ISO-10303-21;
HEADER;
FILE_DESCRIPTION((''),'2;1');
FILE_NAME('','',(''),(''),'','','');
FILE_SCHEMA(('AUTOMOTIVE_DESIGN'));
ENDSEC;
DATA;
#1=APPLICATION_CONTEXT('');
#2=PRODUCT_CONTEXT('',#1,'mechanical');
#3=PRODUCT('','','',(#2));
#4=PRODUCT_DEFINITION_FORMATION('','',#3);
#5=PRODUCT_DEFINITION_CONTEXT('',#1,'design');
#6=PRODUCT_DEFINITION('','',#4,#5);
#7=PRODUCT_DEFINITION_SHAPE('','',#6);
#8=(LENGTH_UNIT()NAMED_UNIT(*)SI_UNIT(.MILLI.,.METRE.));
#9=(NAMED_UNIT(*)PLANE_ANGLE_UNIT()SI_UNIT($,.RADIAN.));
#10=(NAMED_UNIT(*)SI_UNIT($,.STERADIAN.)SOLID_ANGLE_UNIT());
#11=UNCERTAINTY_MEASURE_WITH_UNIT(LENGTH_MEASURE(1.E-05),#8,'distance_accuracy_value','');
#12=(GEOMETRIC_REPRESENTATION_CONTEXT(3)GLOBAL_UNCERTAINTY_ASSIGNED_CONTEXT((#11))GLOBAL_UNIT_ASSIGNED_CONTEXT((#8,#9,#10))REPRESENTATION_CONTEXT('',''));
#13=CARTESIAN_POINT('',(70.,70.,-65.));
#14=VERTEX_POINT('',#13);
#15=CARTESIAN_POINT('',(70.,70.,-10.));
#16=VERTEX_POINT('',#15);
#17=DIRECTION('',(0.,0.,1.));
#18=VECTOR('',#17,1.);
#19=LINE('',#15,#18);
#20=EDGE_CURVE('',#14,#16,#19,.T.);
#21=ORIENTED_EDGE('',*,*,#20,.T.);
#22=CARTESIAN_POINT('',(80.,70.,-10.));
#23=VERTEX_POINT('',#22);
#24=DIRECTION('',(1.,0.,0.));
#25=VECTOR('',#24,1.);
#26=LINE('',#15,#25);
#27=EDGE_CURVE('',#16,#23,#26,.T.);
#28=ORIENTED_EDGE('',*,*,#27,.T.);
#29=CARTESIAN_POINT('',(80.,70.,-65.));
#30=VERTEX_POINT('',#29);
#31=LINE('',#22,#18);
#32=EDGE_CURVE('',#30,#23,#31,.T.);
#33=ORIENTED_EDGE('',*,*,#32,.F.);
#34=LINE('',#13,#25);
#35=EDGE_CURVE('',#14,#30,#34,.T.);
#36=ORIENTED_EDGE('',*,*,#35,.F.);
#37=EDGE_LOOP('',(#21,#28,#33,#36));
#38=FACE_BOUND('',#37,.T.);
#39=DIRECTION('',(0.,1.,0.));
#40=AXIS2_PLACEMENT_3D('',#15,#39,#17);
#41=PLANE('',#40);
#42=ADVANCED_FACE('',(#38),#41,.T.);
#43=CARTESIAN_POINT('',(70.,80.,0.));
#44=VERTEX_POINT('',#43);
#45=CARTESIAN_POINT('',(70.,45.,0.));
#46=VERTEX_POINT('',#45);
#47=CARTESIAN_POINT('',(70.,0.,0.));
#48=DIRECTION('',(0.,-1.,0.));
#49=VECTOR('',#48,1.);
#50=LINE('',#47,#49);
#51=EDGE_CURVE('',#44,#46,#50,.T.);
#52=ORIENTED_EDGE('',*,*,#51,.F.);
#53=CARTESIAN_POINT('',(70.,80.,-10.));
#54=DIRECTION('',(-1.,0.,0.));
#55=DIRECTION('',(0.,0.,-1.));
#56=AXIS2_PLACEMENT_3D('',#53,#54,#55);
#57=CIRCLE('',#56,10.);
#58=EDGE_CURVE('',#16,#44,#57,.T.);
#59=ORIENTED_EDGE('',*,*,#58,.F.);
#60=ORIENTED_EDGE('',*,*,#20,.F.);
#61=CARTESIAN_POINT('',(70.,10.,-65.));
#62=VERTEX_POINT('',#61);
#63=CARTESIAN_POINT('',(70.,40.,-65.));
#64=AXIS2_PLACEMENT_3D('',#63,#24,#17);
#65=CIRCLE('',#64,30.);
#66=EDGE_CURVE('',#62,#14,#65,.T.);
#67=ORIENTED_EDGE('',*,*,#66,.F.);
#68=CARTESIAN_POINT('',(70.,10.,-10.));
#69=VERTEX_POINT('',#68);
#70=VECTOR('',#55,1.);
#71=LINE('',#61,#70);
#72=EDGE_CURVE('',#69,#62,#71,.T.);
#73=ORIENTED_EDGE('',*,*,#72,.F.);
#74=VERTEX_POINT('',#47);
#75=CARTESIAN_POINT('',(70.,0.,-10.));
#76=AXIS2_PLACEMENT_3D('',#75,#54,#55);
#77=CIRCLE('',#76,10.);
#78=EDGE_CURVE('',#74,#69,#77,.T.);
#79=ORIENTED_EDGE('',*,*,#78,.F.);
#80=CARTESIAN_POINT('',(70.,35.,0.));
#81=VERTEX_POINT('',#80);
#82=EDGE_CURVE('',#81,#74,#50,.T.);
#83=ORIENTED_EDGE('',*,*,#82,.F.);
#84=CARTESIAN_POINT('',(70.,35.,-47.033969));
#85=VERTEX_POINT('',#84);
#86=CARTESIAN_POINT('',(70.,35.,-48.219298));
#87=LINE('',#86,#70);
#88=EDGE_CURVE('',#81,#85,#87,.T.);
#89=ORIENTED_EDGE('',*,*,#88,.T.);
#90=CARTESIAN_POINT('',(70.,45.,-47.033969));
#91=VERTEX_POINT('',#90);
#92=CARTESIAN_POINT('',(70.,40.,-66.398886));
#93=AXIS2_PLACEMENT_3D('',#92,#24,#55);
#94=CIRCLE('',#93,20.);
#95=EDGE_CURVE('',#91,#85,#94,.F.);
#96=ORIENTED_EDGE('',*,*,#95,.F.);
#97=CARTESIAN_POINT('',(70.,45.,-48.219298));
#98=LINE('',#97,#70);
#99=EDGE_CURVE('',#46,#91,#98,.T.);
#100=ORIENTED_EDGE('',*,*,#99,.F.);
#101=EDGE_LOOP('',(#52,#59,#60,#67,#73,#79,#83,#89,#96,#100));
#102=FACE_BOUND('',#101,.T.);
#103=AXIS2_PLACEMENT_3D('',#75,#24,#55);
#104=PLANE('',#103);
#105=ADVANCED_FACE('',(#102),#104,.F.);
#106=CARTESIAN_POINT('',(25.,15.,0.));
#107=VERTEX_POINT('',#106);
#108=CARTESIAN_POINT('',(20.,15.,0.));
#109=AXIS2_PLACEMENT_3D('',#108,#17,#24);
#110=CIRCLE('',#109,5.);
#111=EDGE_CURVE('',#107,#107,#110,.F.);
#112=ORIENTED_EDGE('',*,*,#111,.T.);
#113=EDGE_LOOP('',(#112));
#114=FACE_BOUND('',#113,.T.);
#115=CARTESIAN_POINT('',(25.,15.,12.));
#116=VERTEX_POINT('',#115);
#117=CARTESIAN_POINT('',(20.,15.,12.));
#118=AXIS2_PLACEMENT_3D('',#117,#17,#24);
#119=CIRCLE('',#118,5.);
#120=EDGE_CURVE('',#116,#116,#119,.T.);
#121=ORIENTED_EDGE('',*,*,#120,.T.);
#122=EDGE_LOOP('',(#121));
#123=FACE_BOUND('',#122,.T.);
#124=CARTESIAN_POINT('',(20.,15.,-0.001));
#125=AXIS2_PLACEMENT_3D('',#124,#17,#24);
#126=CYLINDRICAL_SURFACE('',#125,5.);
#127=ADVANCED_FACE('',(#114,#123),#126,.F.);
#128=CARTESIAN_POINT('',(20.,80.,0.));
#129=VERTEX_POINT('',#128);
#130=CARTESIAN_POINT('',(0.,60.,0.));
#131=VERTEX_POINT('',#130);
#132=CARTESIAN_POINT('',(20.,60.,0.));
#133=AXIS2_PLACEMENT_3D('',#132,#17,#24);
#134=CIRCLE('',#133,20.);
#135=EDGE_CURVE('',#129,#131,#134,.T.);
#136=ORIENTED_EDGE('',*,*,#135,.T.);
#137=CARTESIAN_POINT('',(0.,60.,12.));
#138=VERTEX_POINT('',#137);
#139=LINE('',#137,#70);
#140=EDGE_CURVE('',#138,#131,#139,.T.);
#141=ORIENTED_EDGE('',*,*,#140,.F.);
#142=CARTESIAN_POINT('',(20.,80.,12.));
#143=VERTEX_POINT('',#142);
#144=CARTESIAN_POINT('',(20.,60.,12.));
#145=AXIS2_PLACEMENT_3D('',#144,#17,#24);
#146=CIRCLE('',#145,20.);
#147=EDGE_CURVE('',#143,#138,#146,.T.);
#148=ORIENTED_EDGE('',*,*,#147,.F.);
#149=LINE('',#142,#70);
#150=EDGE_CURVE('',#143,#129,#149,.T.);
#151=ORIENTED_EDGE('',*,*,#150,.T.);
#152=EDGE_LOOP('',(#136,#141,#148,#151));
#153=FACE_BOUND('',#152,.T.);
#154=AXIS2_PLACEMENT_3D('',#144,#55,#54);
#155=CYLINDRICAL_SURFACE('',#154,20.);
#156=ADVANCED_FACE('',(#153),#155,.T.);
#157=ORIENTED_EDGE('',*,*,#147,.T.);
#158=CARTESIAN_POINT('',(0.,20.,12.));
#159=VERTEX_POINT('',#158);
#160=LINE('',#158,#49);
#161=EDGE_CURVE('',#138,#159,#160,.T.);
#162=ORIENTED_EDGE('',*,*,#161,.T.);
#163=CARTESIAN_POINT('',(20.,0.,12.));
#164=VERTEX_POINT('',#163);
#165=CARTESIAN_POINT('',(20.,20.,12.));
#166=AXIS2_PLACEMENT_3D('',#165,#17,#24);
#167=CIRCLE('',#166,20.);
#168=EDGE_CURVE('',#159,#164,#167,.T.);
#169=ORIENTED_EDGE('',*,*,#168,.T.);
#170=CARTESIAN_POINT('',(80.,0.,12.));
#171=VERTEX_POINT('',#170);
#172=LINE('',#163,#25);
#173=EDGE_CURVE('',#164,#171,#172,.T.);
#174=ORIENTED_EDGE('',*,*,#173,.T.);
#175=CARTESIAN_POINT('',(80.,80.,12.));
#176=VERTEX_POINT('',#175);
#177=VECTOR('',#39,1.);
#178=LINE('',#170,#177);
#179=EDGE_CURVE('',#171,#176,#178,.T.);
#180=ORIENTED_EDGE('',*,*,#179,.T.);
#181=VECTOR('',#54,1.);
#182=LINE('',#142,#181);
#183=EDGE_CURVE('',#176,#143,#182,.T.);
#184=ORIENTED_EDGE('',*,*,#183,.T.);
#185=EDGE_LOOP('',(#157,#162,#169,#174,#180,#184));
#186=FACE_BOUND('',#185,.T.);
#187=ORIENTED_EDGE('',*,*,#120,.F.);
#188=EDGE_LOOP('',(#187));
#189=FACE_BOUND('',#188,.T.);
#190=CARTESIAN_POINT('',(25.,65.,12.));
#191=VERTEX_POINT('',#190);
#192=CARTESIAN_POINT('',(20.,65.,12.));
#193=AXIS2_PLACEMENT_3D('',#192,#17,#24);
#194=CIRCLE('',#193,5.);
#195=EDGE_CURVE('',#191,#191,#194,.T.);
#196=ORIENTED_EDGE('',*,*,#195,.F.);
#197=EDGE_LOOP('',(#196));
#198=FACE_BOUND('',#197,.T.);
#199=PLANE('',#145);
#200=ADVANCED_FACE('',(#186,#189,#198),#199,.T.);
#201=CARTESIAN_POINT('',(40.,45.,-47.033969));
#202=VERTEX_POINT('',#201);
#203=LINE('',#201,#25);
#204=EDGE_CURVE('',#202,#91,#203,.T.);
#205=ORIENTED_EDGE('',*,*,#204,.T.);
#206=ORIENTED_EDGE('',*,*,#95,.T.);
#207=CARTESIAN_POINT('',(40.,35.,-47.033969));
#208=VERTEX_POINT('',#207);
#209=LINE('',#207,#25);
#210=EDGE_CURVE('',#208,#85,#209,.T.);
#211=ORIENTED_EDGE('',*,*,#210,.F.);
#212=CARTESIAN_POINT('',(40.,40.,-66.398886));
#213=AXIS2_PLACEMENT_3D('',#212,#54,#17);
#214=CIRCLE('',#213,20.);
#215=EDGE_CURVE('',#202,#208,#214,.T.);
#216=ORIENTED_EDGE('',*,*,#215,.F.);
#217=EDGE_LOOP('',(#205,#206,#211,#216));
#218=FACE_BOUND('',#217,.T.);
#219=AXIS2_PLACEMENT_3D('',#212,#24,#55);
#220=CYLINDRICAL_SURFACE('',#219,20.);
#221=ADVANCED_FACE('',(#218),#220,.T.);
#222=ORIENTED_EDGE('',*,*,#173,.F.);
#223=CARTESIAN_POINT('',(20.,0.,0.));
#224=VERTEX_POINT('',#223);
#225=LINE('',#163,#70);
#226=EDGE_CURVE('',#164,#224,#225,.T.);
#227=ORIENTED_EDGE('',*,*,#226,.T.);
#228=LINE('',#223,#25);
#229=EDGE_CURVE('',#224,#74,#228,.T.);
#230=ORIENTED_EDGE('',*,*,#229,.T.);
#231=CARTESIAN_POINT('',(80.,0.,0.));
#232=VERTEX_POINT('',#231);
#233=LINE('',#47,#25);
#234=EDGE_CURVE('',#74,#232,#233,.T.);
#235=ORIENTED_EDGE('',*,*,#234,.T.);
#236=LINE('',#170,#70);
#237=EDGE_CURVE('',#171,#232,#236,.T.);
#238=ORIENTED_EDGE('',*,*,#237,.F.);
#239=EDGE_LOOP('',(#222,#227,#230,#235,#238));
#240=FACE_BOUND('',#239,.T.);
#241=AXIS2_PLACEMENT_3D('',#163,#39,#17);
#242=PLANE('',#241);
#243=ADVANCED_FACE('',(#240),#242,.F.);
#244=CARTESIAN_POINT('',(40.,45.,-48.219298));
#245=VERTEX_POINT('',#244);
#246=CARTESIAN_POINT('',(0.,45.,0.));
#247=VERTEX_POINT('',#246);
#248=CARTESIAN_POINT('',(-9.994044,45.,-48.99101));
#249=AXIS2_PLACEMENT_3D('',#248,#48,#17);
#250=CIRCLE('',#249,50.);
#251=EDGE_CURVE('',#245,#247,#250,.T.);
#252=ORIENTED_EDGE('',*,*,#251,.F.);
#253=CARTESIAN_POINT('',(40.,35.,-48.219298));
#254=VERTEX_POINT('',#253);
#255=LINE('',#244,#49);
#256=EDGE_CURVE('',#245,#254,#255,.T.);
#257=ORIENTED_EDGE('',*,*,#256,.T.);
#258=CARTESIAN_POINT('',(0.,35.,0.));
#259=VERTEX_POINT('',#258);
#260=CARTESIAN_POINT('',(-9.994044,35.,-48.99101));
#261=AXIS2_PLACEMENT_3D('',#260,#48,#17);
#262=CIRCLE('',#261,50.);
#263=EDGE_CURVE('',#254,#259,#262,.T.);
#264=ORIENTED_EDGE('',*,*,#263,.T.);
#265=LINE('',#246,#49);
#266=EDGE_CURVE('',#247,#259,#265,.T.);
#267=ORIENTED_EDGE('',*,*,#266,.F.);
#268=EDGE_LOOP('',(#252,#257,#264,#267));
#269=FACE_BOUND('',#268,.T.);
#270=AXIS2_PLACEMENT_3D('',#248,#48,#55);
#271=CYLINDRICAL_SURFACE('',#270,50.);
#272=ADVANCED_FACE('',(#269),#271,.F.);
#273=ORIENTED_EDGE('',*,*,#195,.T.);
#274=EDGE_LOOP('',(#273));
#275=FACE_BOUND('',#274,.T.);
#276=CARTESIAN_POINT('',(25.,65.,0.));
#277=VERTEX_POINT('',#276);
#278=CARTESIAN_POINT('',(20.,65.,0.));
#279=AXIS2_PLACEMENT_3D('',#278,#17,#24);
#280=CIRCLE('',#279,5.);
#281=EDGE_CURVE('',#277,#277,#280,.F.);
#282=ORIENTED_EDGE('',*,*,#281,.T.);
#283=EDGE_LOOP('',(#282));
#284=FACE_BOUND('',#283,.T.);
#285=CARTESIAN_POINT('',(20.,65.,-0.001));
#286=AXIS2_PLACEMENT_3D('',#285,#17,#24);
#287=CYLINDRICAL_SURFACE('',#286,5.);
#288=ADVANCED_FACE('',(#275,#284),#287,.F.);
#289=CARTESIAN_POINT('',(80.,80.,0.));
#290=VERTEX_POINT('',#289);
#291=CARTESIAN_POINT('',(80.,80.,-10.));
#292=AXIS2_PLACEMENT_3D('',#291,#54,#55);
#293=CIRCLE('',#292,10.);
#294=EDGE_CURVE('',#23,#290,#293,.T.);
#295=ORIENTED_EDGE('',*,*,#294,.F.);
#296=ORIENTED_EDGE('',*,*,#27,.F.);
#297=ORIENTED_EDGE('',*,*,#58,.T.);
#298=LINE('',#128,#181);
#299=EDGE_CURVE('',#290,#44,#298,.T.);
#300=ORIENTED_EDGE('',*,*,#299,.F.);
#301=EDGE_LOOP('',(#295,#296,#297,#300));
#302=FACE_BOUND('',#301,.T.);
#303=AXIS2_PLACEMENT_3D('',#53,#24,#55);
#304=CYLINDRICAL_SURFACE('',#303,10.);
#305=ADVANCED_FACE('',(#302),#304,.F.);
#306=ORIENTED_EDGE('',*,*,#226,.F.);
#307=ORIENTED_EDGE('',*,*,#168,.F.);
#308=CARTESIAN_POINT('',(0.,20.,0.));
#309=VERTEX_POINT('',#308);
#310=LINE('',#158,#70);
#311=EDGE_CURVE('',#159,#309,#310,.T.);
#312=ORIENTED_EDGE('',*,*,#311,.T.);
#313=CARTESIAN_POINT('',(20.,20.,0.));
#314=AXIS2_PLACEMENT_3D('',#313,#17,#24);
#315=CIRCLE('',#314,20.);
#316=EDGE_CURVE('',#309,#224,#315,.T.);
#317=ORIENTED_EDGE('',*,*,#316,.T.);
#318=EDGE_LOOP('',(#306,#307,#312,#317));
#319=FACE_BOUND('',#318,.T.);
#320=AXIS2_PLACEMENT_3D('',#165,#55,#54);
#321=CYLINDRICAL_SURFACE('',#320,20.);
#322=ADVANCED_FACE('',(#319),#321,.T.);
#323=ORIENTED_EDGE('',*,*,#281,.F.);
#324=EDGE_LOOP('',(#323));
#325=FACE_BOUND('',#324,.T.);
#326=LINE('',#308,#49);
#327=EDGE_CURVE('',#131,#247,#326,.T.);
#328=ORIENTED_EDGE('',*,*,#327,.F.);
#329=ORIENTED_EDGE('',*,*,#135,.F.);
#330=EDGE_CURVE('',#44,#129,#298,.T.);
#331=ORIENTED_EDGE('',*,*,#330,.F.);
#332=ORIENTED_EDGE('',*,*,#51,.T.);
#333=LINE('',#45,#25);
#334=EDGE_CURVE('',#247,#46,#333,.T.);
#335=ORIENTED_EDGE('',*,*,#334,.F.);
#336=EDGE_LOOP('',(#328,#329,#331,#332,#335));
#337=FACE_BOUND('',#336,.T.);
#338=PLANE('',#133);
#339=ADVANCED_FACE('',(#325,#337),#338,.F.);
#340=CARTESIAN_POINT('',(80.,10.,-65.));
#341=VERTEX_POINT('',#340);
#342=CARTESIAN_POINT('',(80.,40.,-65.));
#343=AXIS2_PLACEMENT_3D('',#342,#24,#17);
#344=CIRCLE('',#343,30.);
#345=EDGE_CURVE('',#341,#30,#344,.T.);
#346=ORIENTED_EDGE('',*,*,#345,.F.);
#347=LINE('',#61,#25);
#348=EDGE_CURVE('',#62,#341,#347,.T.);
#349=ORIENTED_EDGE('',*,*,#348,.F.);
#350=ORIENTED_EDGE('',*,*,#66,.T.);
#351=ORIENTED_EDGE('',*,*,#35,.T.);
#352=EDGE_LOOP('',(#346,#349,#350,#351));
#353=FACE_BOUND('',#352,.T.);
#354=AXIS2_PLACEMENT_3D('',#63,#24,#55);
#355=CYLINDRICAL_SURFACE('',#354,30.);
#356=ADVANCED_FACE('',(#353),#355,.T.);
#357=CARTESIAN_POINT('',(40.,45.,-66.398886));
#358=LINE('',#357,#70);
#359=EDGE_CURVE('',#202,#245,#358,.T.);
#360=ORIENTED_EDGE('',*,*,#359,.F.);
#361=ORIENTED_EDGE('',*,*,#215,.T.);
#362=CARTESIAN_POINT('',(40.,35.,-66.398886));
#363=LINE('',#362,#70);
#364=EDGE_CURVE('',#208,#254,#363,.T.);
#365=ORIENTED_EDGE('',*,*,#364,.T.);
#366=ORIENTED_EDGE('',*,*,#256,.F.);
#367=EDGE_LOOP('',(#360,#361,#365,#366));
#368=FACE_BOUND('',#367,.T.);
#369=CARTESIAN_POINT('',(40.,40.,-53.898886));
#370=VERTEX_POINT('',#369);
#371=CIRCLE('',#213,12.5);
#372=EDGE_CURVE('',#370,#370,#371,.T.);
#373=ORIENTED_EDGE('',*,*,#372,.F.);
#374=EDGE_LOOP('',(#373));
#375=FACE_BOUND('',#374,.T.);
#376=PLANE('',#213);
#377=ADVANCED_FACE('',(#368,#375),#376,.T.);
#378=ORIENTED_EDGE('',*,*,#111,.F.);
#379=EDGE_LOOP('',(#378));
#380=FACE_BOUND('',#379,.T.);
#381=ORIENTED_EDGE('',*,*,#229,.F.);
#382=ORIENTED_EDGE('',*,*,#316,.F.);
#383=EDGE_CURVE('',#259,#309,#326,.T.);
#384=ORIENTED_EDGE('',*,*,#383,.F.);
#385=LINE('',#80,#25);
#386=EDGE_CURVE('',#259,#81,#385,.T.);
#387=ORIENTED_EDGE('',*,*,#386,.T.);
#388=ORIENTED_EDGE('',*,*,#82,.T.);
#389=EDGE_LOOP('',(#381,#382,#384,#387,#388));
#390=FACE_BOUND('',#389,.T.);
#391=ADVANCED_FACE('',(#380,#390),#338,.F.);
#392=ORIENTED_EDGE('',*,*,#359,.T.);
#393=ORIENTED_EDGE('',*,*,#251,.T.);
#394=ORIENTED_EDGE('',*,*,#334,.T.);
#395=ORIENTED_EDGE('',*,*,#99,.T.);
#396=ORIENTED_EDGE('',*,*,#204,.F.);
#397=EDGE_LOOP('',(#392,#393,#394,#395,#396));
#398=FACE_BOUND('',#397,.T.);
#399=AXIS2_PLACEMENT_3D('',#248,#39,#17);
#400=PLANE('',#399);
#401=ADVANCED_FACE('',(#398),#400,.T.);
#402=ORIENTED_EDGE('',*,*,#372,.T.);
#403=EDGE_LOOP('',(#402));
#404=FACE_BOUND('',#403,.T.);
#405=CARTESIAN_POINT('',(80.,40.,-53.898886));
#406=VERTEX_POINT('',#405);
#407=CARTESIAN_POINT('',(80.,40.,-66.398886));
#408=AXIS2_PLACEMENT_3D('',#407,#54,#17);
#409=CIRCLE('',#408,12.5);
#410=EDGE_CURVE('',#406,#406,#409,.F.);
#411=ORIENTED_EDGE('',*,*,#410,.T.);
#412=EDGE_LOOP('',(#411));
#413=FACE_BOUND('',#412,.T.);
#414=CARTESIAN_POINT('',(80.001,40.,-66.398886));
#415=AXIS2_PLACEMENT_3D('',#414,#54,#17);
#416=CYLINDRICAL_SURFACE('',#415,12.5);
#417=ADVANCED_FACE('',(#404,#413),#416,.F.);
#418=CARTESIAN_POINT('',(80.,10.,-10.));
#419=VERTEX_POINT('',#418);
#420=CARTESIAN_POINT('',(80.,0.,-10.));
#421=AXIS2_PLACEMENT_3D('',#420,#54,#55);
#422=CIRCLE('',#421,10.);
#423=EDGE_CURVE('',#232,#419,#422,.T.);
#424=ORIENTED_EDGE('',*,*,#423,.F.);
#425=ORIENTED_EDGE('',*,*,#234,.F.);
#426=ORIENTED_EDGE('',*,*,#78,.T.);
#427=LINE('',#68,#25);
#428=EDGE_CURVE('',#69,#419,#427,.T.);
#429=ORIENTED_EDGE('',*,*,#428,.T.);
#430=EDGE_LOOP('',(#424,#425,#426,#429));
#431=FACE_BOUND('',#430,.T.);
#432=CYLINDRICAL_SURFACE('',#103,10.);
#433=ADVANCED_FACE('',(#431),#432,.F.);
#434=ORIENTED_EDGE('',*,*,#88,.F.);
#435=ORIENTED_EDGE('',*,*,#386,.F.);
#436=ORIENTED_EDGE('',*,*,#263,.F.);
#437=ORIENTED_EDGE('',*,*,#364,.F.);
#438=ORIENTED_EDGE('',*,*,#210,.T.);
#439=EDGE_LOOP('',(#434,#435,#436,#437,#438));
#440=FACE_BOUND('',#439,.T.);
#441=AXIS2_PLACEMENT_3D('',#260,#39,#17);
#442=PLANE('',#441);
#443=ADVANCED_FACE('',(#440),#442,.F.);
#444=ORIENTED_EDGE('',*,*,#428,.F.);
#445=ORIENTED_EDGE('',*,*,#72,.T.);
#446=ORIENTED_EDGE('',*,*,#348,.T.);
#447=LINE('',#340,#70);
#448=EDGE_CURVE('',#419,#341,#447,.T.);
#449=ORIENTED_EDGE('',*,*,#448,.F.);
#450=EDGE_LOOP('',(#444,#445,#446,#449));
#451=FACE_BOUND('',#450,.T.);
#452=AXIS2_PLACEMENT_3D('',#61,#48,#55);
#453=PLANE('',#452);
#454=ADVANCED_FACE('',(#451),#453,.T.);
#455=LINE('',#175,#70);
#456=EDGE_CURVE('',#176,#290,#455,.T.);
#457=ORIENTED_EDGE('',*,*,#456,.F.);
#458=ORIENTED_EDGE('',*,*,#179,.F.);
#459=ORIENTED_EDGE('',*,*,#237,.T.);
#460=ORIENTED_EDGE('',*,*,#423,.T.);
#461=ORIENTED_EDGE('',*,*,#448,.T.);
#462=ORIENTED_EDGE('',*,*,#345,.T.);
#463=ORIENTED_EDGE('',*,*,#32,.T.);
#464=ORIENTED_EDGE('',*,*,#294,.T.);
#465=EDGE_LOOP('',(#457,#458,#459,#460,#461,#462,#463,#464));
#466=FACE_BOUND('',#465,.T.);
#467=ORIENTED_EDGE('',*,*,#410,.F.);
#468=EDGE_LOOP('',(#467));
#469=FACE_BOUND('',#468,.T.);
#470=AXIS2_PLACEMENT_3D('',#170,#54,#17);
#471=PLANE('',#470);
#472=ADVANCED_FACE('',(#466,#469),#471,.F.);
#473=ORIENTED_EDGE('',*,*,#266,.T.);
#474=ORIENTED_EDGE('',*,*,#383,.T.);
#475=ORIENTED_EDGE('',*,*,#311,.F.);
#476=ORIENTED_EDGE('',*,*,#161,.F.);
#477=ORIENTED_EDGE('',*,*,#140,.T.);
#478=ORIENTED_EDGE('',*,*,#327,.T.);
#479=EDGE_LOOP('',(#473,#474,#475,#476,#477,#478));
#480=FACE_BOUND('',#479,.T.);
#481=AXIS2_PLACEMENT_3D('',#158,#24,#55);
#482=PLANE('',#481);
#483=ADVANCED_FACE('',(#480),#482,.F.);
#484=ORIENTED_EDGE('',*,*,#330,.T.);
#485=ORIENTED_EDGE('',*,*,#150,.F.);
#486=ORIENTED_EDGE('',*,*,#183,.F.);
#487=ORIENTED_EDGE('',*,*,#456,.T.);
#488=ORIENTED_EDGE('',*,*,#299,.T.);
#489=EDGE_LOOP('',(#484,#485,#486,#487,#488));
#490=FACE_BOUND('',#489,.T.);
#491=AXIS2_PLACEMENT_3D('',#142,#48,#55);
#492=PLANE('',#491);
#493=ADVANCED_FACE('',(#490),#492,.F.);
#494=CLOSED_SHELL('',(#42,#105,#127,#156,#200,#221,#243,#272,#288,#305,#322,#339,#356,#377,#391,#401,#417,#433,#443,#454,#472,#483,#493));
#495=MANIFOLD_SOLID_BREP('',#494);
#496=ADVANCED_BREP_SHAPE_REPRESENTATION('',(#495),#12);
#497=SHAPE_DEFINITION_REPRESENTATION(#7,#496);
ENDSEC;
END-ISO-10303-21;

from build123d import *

# Parameters (mm, degrees)
BOSS_EXTRUDE1_DEPTH = 12
CUT_EXTRUDE1_REACH  = 115.772
SKETCH2_R           = 5
BOSS_EXTRUDE2_DEPTH = 10
SKETCH8_R           = 20
BOSS_EXTRUDE3_DEPTH = 30
CUT_EXTRUDE2_REACH  = 132.48
SKETCH9_R           = 12.5
BOSS_EXTRUDE4_DEPTH = 5


with BuildPart() as part:
    # Sketch1 → Boss-Extrude1 (new body)
    with BuildSketch(Plane.XY):
        with BuildLine():
            Line((20, 0), (80, 0))
            Line((80, 0), (80, 80))
            Line((80, 80), (20, 80))
            ThreePointArc((20, 80), (5.857864376, 74.142135624), (0, 60))
            Line((0, 60), (0, 20))
            ThreePointArc((0, 20), (5.857864376, 5.857864376), (20, 0))
        make_face()
    extrude(amount=BOSS_EXTRUDE1_DEPTH)

    # Sketch2 → Cut-Extrude1 (cut, up to next)
    with BuildSketch(Plane.XY.offset(12), mode=Mode.PRIVATE) as cut_extrude1_sk1:
        with Locations((20, 65)):
            Circle(SKETCH2_R)
    cut_extrude1_tool1 = extrude(cut_extrude1_sk1.sketch, amount=-CUT_EXTRUDE1_REACH, mode=Mode.PRIVATE) & part.part
    # Sketch2 → Cut-Extrude1 (cut, up to next)
    with BuildSketch(Plane.XY.offset(12), mode=Mode.PRIVATE) as cut_extrude1_sk2:
        with Locations((20, 15)):
            Circle(SKETCH2_R)
    cut_extrude1_tool2 = extrude(cut_extrude1_sk2.sketch, amount=-CUT_EXTRUDE1_REACH, mode=Mode.PRIVATE) & part.part
    add(cut_extrude1_tool1.solids().sort_by_distance((20, 65, 12))[0], mode=Mode.SUBTRACT)
    add(cut_extrude1_tool2.solids().sort_by_distance((20, 15, 12))[0], mode=Mode.SUBTRACT)

    # Sketch5 → Boss-Extrude2 (add)
    with BuildSketch(Plane(origin=(80, 0, 0), x_dir=(0, 0, -1), z_dir=(1, 0, 0))):
        with BuildLine():
            Line((10, 70), (65, 70))
            ThreePointArc((65, 70), (95, 40), (65, 10))
            Line((65, 10), (10, 10))
            ThreePointArc((10, 10), (2.928932188, 7.071067812), (0, 0))
            Line((0, 0), (0, 80))
            ThreePointArc((0, 80), (2.928932188, 72.928932188), (10, 70))
        make_face()
    extrude(amount=-BOSS_EXTRUDE2_DEPTH)

    # Sketch8 → Boss-Extrude3 (add)
    with BuildSketch(Plane.ZY.offset(-70)):
        with Locations(Location((-66.398885529, 40, 0), (0, 0, 180))):
            Circle(SKETCH8_R)
    extrude(amount=BOSS_EXTRUDE3_DEPTH)

    # Sketch9 → Cut-Extrude2 (cut, up to next)
    with BuildSketch(Plane.ZY.offset(-40), mode=Mode.PRIVATE) as cut_extrude2_sk1:
        with Locations((-66.398885529, 40)):
            Circle(SKETCH9_R)
    cut_extrude2_tool1 = extrude(cut_extrude2_sk1.sketch, amount=-CUT_EXTRUDE2_REACH, mode=Mode.PRIVATE) & part.part
    add(cut_extrude2_tool1.solids().sort_by_distance((40, 40, -66.398886))[0], mode=Mode.SUBTRACT)

    # Sketch16 → Boss-Extrude4 (add, symmetric)
    with BuildSketch(Plane(origin=(0, 40, 0), x_dir=(1, 0, 0), z_dir=(0, 1, 0))):
        with BuildLine():
            Line((40, 48.219297795), (70, 48.219297795))
            Line((70, 48.219297795), (70, 0))
            Line((70, 0), (0, 0))
            ThreePointArc((0, 0), (28.488651348, 17.067944239), (40, 48.219297795))
        make_face()
    extrude(amount=BOSS_EXTRUDE4_DEPTH, both=True)


solid = part.part
